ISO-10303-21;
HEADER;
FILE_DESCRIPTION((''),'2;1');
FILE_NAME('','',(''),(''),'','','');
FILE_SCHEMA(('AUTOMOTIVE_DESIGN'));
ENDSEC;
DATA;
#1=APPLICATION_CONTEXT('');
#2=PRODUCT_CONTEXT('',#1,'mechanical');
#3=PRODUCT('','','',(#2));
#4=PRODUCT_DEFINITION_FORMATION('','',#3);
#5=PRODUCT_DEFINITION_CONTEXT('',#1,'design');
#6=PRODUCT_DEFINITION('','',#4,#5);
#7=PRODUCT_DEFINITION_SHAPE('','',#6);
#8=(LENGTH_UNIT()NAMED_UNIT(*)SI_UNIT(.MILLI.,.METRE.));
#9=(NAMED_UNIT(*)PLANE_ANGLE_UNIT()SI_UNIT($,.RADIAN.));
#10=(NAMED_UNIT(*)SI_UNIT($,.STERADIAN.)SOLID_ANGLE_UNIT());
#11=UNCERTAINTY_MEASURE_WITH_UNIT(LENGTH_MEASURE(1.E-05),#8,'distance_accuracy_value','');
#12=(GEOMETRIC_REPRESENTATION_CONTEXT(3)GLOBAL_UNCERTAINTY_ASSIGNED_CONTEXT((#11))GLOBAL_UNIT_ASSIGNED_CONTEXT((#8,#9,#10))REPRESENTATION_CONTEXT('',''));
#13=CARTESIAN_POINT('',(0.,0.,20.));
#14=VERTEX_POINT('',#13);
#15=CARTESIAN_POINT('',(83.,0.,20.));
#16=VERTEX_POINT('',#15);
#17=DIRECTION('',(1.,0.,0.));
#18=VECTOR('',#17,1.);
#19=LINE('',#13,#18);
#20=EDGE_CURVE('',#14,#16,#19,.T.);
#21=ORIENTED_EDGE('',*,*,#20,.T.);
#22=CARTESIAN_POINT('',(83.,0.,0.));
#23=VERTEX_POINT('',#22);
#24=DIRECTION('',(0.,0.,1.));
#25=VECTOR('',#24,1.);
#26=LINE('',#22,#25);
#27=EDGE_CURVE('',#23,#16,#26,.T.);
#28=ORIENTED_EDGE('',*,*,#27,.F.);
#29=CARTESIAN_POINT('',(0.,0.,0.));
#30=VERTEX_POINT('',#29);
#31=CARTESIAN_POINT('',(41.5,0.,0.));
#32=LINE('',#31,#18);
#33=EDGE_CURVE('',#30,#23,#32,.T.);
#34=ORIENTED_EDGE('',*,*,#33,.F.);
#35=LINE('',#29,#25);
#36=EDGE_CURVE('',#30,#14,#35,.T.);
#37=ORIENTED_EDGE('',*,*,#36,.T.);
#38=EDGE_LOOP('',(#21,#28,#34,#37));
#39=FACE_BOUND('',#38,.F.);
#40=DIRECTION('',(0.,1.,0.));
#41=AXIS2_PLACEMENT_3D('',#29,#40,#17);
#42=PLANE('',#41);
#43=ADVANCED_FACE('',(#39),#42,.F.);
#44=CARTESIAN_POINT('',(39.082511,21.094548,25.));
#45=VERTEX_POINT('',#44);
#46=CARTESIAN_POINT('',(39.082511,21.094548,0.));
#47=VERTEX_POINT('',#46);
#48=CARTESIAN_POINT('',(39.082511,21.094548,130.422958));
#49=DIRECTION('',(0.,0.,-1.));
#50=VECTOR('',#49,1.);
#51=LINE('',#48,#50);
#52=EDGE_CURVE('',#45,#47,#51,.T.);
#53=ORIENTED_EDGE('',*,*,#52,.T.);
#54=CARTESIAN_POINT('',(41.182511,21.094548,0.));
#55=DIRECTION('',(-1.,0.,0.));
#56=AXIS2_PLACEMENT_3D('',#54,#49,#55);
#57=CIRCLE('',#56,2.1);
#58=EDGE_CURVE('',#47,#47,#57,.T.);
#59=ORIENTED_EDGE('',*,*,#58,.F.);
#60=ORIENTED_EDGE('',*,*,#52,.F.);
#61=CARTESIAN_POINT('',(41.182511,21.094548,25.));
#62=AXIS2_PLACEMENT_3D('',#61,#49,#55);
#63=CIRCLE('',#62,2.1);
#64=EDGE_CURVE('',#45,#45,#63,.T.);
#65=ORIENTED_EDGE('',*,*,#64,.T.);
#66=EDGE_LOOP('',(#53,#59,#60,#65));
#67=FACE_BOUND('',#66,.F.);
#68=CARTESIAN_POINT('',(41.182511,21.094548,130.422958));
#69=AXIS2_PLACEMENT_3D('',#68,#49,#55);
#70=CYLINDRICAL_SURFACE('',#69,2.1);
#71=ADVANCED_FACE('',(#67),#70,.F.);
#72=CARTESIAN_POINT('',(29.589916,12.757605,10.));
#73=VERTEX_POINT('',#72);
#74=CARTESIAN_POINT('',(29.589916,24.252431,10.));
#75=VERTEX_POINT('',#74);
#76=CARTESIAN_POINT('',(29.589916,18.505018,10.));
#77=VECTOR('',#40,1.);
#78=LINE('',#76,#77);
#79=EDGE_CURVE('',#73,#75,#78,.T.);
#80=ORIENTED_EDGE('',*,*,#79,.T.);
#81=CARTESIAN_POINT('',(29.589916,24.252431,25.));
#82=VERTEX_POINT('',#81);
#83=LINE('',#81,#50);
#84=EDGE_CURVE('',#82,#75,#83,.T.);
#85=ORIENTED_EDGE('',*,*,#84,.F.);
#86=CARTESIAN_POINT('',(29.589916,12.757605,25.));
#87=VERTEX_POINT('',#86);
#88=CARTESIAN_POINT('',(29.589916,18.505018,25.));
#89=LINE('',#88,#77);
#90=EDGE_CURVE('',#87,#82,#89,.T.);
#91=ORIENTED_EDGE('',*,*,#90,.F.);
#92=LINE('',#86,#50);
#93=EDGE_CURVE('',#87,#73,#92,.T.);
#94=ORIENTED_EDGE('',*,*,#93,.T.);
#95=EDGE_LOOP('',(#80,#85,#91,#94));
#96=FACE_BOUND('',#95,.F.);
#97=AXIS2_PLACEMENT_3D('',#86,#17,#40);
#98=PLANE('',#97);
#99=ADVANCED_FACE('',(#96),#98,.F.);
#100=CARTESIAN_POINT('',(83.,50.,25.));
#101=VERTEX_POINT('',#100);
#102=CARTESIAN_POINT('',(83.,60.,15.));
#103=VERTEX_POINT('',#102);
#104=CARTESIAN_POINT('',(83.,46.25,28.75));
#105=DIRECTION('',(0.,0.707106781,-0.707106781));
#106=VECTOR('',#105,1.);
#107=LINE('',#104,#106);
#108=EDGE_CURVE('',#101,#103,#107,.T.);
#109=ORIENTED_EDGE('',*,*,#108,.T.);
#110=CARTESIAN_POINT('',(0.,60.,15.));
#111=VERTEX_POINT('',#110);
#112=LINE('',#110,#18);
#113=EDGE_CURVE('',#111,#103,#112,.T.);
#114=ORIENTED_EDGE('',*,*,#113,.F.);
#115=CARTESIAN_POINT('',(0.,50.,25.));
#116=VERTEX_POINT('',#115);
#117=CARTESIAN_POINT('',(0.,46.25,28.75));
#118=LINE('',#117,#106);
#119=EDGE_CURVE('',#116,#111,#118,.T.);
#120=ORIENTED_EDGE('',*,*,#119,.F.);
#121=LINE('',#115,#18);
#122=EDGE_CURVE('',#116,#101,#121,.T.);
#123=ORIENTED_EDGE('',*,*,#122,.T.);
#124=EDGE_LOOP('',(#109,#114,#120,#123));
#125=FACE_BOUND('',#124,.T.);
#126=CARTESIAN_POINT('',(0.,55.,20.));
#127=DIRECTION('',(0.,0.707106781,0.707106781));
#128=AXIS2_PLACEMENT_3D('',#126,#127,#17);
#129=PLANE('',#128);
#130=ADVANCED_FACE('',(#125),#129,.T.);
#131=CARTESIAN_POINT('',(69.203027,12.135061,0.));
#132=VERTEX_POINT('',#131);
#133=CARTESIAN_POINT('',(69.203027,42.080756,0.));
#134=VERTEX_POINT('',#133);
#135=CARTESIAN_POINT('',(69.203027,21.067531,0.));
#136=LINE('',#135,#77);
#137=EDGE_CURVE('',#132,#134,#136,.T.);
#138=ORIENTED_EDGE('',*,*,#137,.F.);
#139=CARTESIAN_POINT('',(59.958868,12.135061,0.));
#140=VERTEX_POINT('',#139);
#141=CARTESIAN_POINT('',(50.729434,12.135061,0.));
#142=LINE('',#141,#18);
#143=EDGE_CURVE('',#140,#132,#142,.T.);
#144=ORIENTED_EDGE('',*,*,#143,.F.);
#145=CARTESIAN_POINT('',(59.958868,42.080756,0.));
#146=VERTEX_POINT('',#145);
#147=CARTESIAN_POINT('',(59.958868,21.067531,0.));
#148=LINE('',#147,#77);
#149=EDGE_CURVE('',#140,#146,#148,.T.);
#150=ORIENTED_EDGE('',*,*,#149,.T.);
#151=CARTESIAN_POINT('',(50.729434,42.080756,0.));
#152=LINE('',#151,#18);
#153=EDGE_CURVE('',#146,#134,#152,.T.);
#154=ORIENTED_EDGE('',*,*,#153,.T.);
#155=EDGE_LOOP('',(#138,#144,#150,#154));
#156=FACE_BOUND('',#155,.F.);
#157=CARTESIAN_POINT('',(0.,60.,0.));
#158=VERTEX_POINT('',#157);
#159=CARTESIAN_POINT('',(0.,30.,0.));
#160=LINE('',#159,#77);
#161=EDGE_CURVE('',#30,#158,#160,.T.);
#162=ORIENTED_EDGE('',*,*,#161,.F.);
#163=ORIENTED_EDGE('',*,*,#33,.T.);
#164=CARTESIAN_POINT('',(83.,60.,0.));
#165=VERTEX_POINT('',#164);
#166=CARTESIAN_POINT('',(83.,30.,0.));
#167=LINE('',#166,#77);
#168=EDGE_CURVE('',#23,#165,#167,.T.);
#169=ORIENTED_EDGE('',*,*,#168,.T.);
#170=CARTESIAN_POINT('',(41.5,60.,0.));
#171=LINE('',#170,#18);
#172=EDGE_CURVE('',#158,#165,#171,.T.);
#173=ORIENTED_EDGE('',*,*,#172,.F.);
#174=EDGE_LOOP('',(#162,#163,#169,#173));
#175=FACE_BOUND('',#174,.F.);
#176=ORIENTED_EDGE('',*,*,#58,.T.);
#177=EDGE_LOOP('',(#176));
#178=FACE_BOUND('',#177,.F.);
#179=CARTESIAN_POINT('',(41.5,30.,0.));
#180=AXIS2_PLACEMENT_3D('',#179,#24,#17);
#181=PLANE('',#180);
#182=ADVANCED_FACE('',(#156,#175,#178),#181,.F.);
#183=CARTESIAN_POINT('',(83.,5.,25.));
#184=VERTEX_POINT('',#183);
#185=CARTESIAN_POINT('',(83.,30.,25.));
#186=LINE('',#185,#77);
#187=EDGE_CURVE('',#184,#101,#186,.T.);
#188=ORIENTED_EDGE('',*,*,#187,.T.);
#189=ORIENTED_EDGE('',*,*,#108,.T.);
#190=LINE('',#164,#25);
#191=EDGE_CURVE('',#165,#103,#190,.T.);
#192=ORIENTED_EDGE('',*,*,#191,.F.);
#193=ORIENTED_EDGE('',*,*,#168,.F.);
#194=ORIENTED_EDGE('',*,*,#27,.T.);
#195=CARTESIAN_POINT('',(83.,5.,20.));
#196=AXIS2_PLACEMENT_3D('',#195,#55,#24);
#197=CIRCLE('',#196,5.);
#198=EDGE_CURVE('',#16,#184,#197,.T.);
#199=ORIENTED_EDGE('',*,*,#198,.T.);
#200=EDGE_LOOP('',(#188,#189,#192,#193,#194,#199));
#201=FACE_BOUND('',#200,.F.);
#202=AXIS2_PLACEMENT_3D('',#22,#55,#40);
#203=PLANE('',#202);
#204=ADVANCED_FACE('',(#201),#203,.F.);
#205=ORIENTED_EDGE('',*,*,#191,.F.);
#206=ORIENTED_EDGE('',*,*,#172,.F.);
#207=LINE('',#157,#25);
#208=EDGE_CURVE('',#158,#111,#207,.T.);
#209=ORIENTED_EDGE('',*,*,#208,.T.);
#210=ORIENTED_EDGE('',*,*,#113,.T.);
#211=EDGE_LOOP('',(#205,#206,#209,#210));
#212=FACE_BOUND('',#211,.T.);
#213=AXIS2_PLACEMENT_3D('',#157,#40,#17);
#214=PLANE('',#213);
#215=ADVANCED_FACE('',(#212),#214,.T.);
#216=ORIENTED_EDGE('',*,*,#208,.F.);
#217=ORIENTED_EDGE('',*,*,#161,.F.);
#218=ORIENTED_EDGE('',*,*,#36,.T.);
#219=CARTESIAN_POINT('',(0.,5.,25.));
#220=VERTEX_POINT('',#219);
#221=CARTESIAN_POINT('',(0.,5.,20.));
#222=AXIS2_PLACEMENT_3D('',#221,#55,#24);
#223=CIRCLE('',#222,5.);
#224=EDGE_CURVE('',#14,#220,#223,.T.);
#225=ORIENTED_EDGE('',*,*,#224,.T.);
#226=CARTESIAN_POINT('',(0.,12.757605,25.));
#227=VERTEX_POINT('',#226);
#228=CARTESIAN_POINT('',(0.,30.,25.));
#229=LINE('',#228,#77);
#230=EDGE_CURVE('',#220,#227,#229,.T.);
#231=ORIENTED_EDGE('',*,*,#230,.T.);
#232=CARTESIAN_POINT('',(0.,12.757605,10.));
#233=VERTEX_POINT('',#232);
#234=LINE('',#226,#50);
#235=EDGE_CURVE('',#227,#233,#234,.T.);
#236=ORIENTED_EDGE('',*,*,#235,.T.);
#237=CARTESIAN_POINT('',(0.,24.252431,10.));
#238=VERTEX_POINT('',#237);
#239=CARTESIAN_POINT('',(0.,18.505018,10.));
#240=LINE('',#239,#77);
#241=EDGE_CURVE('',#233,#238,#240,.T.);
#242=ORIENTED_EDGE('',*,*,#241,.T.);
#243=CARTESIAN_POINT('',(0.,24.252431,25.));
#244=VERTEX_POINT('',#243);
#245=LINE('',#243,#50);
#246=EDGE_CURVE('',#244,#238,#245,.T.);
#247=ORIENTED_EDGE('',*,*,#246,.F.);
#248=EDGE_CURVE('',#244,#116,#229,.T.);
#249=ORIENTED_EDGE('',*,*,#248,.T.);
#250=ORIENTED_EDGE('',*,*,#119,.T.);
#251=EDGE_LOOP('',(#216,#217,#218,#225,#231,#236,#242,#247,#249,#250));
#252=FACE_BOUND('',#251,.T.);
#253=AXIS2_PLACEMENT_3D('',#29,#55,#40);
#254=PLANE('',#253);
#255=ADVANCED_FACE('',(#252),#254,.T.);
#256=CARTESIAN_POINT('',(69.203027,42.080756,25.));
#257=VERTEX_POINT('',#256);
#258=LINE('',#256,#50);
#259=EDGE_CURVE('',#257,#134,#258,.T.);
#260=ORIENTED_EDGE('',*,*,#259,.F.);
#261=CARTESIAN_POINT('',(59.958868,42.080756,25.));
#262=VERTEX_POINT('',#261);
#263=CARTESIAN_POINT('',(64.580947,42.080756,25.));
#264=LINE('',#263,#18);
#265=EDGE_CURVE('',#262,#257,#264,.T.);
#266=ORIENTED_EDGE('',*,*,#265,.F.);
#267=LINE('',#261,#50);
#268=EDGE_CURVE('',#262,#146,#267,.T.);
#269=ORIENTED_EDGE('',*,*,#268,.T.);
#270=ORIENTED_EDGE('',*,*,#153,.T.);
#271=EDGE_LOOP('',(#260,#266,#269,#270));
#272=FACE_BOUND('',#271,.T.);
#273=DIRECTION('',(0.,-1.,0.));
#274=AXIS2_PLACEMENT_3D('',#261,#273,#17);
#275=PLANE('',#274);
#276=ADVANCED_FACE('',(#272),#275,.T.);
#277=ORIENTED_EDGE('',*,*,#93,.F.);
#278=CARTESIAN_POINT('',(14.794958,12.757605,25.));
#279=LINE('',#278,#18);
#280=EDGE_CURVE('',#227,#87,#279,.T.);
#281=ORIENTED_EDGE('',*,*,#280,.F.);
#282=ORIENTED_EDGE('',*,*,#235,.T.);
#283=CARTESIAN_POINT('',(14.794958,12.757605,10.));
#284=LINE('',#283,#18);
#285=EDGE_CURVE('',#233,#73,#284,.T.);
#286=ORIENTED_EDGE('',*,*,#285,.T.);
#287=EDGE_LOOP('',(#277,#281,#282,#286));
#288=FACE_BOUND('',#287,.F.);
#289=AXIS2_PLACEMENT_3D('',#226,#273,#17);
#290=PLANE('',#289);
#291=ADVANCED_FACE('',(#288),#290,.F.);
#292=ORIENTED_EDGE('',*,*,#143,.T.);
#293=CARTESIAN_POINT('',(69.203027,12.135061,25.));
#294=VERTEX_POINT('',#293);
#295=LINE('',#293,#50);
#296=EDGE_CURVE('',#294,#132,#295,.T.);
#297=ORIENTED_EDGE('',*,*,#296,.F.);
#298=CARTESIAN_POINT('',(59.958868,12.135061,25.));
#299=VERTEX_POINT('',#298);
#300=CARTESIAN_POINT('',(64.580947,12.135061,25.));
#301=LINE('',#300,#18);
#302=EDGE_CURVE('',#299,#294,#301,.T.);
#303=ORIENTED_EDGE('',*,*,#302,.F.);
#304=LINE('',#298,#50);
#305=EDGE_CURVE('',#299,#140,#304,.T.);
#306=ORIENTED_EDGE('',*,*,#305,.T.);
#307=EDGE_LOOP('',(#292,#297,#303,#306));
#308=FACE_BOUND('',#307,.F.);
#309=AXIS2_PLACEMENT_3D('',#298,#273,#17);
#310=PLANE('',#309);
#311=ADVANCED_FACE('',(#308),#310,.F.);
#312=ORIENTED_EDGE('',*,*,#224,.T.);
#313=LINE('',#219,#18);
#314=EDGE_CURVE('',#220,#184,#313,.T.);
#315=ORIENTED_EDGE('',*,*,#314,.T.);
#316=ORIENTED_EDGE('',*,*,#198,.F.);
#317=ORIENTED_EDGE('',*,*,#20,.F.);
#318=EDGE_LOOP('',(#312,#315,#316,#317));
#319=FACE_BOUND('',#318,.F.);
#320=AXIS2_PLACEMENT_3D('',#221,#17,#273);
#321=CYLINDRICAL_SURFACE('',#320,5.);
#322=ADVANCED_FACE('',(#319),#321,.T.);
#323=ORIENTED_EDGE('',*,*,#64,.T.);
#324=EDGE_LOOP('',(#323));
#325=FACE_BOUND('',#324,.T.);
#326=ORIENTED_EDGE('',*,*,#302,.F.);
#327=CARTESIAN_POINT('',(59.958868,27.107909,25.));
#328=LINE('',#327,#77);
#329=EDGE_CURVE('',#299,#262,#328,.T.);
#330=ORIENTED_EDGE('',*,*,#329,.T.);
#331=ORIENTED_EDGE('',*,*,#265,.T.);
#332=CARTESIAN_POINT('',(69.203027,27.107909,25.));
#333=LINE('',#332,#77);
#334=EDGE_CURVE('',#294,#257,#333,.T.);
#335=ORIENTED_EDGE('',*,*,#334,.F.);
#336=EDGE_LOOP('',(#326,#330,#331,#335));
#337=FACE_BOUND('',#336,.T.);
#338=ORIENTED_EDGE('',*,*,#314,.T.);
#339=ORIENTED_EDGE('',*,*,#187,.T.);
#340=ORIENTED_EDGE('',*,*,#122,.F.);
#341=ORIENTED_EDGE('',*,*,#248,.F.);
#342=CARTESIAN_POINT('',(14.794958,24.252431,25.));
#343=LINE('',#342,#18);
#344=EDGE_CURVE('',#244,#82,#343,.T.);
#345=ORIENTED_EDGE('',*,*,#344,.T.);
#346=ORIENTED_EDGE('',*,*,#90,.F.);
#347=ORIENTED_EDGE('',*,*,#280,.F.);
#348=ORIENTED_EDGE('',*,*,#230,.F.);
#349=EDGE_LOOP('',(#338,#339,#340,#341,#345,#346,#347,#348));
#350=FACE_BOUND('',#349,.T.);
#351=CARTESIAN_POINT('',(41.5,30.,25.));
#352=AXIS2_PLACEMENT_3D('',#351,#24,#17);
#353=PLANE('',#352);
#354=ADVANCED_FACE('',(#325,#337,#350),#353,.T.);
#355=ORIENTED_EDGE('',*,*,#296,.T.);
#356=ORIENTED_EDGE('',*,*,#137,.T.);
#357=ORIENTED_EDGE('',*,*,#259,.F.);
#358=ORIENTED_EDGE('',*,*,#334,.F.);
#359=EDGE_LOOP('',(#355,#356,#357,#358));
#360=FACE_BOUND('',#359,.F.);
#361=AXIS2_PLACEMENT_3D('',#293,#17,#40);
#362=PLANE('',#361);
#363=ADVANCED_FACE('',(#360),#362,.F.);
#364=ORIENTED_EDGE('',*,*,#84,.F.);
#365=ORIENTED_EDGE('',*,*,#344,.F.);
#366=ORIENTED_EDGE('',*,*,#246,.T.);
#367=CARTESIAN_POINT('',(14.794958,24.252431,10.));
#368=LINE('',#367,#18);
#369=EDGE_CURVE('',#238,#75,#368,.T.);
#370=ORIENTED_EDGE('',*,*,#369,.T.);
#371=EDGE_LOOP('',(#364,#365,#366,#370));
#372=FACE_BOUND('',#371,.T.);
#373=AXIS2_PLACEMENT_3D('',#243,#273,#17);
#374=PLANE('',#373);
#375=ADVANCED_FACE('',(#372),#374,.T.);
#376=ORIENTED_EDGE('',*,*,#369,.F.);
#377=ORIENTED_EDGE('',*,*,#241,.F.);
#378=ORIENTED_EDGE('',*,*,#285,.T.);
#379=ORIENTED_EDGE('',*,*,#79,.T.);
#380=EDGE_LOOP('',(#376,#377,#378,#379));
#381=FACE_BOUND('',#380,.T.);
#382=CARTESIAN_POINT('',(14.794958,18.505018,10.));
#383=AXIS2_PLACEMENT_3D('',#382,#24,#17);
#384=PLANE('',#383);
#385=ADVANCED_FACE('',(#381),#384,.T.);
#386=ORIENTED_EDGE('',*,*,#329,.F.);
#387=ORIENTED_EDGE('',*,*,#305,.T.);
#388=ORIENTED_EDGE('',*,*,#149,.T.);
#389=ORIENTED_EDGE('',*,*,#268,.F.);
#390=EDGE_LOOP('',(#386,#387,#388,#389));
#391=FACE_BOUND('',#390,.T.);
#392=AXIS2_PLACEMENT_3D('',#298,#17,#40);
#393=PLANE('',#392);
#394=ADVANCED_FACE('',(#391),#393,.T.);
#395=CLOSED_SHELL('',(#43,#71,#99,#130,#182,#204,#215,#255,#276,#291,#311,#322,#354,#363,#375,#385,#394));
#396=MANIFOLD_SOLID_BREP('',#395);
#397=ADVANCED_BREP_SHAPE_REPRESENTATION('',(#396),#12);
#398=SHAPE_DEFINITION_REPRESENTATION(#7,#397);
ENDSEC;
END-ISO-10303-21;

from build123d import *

# Parameters (mm, degrees)
F0_W     = 83
F0_H     = 60
F1_DEPTH = 25
F2_R     = 5
F3_SIZE  = 10
F5_D     = 4.2
F6_W     = 9.244158864
F6_H     = 29.9456948414
F7_DEPTH = 30
F8_W     = 29.5899156481
F8_H     = 11.4948265254
F9_DEPTH = 15


with BuildPart() as f1:
    # F0 (on Top) → F1 (new body)
    with BuildSketch(Plane.XY):
        with Locations((41.5, 30)):
            Rectangle(F0_W, F0_H)
    extrude(amount=F1_DEPTH)

    # F2
    f2_edges = [f1.edges().sort_by_distance(p)[0] for p in [
        (41.5, 0, 25),
    ]]
    fillet(f2_edges, radius=F2_R)

    # F3
    f3_edges = [f1.edges().sort_by_distance(p)[0] for p in [
        (41.5, 60, 25),
    ]]
    chamfer(f3_edges, length=F3_SIZE)

    # F5 (through all)
    with Locations(Plane.XY.offset(25)):
        with Locations((41.1825105548, 21.0945475847)):
            Hole(F5_D / 2)

    # F6 (on face) → F7 (cut)
    with BuildSketch(Plane.XY.offset(25)):
        with Locations((64.5809471607, 27.1079088561)):
            Rectangle(F6_W, F6_H)
    extrude(amount=-F7_DEPTH, mode=Mode.SUBTRACT)

    # F8 (on face) → F9 (cut)
    with BuildSketch(Plane.XY.offset(25)):
        with Locations((14.7949578241, 18.5050182045)):
            Rectangle(F8_W, F8_H)
    extrude(amount=-F9_DEPTH, mode=Mode.SUBTRACT)


solid = f1.part
